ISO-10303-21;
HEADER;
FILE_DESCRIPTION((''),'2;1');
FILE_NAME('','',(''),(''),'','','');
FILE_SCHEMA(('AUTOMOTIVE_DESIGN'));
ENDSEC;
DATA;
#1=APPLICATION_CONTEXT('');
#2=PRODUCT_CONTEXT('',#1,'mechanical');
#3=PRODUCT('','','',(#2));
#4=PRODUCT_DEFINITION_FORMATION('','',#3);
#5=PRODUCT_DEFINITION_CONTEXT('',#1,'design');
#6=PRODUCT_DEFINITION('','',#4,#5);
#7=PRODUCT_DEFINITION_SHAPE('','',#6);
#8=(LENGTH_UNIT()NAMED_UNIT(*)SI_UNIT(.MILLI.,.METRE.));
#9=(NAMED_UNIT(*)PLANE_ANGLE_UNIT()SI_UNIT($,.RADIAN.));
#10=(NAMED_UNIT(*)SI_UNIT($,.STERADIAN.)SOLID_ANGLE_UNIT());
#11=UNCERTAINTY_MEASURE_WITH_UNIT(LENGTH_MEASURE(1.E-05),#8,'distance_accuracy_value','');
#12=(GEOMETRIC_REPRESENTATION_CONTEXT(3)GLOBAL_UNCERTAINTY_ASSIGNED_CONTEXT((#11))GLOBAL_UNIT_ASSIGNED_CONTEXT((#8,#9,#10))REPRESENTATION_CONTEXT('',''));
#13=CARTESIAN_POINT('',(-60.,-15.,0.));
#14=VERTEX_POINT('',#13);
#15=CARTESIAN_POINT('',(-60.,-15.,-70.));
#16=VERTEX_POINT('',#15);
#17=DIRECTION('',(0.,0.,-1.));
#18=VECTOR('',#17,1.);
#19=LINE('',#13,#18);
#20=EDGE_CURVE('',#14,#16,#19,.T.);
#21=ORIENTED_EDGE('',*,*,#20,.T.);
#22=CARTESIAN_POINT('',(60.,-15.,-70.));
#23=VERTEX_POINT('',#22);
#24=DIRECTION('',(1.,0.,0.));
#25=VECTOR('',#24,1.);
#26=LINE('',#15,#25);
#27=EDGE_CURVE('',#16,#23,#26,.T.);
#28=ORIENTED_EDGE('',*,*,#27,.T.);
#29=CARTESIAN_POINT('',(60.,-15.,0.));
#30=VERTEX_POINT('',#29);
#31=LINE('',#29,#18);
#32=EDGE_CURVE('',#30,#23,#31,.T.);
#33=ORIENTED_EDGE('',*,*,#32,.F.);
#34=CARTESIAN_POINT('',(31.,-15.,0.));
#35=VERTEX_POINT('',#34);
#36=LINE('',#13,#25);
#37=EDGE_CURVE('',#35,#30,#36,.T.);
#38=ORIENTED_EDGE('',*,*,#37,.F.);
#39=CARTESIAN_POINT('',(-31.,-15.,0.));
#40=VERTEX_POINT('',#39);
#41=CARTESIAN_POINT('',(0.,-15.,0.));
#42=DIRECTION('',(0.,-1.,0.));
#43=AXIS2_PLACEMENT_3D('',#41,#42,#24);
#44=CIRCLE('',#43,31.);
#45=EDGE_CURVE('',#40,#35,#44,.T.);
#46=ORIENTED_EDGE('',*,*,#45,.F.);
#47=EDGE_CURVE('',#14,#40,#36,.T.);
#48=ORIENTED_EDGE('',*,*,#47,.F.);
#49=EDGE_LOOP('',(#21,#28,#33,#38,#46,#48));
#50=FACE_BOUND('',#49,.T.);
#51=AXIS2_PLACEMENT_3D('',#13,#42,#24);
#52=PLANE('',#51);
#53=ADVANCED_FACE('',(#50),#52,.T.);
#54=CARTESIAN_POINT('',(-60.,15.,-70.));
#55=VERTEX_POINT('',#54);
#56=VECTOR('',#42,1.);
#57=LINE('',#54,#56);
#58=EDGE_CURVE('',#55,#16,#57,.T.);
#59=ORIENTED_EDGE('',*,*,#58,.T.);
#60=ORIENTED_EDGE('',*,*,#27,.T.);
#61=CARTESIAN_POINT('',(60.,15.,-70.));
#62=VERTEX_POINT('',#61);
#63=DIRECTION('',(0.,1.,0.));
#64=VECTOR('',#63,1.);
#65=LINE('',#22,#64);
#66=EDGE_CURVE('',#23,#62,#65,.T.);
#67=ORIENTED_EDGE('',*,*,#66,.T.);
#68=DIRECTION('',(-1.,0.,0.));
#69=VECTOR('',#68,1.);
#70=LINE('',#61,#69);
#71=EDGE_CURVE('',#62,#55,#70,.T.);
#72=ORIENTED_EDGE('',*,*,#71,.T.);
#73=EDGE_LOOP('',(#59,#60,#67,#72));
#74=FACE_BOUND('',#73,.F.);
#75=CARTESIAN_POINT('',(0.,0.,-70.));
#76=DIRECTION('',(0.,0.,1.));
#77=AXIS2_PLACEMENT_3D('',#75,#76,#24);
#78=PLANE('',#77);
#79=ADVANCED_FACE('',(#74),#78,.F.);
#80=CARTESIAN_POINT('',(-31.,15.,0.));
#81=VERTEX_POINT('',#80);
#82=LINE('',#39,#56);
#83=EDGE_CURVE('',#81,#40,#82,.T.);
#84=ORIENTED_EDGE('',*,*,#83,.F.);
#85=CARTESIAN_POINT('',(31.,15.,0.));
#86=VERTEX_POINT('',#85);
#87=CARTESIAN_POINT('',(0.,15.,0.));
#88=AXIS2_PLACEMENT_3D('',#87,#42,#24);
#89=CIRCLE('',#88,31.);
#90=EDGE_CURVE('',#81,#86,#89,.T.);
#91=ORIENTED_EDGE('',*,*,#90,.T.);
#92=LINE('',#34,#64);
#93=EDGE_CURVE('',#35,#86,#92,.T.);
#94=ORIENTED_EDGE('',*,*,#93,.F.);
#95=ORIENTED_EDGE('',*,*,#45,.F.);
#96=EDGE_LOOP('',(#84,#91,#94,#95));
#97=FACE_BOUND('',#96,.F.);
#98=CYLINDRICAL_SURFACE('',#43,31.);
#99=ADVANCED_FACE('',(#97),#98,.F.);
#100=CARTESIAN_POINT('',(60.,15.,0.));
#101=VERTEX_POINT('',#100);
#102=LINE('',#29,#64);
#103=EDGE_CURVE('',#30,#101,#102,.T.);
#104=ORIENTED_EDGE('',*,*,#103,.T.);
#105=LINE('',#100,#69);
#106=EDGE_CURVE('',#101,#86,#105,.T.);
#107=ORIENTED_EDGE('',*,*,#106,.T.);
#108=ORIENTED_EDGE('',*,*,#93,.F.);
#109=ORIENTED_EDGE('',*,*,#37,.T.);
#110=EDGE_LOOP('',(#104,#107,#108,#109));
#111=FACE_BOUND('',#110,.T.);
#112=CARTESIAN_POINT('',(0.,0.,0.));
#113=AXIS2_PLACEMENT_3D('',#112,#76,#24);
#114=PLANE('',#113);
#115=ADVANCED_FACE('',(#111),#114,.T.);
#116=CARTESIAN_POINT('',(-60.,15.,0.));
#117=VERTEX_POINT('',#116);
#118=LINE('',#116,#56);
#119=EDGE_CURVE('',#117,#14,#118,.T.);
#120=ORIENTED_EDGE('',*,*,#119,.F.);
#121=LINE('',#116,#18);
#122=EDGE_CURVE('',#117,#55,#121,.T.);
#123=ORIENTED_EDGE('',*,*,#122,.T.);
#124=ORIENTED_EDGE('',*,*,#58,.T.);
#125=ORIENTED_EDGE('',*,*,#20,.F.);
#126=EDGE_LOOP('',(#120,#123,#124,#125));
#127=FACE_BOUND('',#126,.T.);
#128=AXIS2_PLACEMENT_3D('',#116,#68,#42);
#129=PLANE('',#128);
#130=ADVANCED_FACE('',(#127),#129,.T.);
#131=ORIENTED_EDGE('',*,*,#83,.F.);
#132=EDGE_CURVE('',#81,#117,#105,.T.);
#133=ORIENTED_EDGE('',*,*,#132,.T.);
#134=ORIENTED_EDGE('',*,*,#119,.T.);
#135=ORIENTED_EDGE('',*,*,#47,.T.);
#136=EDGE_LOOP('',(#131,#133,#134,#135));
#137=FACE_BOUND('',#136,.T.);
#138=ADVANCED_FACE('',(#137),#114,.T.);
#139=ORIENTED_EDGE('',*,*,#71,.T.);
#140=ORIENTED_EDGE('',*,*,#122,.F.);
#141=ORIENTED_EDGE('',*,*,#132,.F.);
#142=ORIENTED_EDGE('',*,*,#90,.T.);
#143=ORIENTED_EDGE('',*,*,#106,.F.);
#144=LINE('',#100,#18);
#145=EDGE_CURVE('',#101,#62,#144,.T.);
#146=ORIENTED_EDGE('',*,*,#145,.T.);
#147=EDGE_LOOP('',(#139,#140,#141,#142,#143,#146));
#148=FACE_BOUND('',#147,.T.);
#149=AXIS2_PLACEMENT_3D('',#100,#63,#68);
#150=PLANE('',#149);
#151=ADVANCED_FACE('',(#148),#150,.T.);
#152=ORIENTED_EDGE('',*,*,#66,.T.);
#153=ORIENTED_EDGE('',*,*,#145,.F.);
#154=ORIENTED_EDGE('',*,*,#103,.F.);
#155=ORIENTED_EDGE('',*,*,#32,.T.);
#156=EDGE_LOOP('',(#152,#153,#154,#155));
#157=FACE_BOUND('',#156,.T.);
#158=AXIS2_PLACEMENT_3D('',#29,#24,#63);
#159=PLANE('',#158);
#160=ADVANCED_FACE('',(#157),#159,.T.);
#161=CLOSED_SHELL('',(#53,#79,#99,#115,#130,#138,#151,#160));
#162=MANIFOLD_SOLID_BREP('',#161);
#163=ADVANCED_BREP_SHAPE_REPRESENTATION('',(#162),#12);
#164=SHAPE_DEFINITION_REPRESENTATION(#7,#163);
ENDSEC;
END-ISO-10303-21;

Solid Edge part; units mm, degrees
sketch "Sketch1" plane through (0, 0, 0) normal (0, 0, 1) x (1, 0, 0)
  line L0 (-60, -15) -> (60, -15)
  line L1 (60, -15) -> (60, 15)
  line L2 (60, 15) -> (-60, 15)
  line L3 (-60, 15) -> (-60, -15)
extrude "Protrusion1" add sketch "Sketch1" against normal blind 70
sketch "Sketch2" plane through (0, -15, -35) normal (0, -1, 0) x (1, 0, 0)
  circle A0 centre (0, 35) radius 31
extrude "Recorte_Extrudado_1" cut sketch "Sketch2" against normal blind 30
